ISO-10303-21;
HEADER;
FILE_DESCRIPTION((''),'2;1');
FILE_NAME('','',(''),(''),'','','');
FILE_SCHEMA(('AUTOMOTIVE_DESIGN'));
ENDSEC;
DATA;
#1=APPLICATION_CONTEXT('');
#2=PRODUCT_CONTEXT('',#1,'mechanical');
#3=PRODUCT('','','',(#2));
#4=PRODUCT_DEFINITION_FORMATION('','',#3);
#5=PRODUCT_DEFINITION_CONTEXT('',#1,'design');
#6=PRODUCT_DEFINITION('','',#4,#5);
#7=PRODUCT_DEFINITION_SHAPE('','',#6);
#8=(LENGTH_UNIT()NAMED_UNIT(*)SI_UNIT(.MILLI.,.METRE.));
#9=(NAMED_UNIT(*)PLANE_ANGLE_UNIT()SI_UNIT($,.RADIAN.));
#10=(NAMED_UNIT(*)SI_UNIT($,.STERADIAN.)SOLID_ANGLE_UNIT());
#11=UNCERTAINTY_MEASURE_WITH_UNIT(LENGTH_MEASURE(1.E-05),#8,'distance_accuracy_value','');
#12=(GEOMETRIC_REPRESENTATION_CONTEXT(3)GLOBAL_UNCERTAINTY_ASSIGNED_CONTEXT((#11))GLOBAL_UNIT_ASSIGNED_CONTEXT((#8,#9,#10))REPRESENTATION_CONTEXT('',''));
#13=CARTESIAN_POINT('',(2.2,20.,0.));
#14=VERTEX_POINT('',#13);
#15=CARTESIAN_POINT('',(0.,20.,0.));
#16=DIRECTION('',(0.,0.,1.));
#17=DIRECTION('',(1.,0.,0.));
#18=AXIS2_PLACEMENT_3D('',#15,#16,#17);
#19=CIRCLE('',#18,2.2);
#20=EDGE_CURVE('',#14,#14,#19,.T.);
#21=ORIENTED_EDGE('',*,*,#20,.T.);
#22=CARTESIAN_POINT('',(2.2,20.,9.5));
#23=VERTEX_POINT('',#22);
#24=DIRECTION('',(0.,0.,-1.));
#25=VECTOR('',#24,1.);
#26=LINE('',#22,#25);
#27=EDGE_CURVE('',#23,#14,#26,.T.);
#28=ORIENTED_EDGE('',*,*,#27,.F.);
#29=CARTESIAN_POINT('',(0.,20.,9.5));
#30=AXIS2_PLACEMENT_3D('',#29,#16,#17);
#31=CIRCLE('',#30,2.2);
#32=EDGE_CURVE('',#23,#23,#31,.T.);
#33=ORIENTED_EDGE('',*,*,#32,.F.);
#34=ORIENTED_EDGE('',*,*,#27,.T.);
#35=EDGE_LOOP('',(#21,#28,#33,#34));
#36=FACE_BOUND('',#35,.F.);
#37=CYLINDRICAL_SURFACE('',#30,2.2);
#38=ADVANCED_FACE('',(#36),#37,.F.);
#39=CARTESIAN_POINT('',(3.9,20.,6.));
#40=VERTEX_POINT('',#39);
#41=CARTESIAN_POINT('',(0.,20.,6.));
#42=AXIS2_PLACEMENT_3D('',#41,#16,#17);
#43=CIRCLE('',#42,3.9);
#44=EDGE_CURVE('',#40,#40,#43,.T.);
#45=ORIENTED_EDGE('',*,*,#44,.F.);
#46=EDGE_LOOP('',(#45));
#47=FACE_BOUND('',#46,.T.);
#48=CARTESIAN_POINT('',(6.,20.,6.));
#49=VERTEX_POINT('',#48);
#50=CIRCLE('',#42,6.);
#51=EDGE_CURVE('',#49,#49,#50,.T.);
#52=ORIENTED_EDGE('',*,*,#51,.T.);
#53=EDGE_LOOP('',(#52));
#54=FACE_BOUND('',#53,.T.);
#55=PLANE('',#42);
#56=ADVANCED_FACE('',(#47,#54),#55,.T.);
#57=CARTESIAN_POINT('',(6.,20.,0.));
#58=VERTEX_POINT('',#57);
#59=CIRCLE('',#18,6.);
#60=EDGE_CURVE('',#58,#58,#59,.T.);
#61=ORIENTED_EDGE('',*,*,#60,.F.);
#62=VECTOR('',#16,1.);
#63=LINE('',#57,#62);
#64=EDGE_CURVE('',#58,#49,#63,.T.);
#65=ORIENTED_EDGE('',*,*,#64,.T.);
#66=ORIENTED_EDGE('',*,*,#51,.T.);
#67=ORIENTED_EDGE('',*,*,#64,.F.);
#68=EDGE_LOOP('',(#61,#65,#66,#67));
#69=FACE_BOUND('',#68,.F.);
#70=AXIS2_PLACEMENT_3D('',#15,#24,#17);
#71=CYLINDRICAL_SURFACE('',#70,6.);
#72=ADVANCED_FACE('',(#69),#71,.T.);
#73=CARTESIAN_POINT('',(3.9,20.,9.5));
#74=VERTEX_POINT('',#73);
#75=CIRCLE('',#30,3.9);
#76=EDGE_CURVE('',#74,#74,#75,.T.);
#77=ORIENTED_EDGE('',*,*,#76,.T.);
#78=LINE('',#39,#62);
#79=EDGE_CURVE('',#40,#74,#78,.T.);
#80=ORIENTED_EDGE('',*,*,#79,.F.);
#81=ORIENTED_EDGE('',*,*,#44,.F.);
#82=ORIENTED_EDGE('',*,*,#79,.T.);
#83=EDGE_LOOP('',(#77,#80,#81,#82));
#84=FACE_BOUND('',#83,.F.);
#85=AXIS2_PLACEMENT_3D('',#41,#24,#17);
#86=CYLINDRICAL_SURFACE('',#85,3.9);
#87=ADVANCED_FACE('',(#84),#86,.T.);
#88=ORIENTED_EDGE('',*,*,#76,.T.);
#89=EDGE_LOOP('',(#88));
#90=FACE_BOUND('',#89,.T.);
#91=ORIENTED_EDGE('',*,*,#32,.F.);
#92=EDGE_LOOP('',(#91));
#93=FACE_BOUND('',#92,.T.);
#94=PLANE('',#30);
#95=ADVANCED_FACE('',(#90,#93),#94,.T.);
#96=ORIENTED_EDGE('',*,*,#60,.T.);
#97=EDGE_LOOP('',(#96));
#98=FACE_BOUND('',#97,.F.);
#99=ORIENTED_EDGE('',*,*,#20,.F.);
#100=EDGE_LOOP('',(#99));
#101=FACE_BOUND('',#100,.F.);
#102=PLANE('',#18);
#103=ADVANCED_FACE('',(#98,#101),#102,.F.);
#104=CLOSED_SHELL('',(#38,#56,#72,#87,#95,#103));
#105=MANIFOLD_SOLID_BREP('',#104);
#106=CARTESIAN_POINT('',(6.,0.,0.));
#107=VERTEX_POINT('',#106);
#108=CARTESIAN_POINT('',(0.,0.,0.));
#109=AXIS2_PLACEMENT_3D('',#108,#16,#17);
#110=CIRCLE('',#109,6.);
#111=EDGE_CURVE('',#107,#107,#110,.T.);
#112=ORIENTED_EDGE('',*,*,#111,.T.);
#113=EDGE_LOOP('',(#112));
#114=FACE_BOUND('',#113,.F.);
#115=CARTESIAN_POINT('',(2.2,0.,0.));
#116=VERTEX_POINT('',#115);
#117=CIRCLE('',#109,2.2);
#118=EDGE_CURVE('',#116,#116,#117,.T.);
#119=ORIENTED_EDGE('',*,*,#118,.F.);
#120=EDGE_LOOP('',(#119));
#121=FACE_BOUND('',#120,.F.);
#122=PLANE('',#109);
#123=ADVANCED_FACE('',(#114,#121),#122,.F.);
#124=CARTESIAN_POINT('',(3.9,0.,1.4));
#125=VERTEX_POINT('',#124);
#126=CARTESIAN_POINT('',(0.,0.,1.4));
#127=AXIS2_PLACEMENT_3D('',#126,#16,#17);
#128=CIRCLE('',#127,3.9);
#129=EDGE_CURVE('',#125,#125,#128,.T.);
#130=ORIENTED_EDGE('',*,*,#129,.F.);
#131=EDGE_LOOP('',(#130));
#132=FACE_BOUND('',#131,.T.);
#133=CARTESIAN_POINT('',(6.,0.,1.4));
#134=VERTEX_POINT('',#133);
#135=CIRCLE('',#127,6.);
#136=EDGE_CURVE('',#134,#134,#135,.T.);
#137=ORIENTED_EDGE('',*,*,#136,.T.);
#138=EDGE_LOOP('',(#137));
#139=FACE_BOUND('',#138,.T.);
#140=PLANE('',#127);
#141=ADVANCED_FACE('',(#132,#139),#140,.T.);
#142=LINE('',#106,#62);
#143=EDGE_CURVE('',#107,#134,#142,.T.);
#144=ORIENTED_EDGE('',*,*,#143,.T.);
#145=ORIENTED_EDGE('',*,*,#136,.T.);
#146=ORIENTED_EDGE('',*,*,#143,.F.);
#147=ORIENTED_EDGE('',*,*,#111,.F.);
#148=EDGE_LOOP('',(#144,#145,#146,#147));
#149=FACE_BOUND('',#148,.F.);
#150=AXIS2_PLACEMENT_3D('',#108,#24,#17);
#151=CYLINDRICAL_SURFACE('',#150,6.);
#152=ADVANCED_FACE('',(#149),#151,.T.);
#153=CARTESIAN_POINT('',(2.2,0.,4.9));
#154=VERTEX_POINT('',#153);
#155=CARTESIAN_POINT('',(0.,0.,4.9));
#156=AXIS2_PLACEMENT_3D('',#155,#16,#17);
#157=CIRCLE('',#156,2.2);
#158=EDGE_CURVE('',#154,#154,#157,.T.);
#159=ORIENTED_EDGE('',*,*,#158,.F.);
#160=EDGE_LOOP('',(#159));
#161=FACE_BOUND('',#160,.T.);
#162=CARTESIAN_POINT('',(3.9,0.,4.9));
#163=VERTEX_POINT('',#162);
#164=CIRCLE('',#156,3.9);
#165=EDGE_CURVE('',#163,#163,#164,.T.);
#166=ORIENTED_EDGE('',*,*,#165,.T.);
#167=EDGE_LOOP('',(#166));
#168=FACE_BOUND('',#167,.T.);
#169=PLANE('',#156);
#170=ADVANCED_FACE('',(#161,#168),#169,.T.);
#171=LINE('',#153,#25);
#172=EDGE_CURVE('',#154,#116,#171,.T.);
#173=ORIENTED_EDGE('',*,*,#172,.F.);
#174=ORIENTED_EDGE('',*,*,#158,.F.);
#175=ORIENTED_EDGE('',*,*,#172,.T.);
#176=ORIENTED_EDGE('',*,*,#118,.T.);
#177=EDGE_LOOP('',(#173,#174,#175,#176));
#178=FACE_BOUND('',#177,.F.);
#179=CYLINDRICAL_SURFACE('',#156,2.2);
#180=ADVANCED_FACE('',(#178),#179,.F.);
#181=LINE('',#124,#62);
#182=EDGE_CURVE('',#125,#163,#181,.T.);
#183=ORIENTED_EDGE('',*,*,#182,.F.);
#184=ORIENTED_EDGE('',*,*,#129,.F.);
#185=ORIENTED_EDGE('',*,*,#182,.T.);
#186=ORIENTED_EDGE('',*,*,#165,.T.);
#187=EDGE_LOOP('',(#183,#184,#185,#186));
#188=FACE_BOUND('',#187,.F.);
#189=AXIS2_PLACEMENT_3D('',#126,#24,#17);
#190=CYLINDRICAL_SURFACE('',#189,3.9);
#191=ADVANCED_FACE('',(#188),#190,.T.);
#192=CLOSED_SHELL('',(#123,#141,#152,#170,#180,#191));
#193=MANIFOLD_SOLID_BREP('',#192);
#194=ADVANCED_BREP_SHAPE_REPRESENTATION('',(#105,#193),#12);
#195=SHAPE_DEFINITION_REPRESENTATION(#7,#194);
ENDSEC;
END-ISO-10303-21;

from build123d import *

# Parameters (mm, degrees)
F0_R      = 6
F1_DEPTH  = 1.4
F2_R      = 3.9
F3_DEPTH  = 3.5
F4_R      = 2.2
F5_DEPTH  = 4.9
F6_R      = 6
F7_DEPTH  = 6
F8_R      = 3.9
F9_DEPTH  = 3.5
F10_R     = 2.2
F11_DEPTH = 9.5


with BuildPart() as f1:
    # F0 (on Top) → F1 (new body)
    with BuildSketch(Plane.XY):
        Circle(F0_R)
    extrude(amount=F1_DEPTH)

    # F2 (on face) → F3 (join)
    with BuildSketch(Plane.XY.offset(1.4)):
        Circle(F2_R)
    extrude(amount=F3_DEPTH)

    # F4 (on face) → F5 (cut, through all)
    with BuildSketch(Plane.XY.offset(4.9)):
        Circle(F4_R)
    extrude(amount=-F5_DEPTH, mode=Mode.SUBTRACT)


with BuildPart() as f7:
    # F6 (on Top) → F7 (new body)
    with BuildSketch(Plane.XY):
        with Locations((0, 20)):
            Circle(F6_R)
    extrude(amount=F7_DEPTH)

    # F8 (on face) → F9 (join)
    with BuildSketch(Plane.XY.offset(6)):
        with Locations((0, 20)):
            Circle(F8_R)
    extrude(amount=F9_DEPTH)

    # F10 (on face) → F11 (cut, through all)
    with BuildSketch(Plane.XY.offset(9.5)):
        with Locations((0, 20)):
            Circle(F10_R)
    extrude(amount=-F11_DEPTH, mode=Mode.SUBTRACT)


solid = Compound([f1.part, f7.part])
